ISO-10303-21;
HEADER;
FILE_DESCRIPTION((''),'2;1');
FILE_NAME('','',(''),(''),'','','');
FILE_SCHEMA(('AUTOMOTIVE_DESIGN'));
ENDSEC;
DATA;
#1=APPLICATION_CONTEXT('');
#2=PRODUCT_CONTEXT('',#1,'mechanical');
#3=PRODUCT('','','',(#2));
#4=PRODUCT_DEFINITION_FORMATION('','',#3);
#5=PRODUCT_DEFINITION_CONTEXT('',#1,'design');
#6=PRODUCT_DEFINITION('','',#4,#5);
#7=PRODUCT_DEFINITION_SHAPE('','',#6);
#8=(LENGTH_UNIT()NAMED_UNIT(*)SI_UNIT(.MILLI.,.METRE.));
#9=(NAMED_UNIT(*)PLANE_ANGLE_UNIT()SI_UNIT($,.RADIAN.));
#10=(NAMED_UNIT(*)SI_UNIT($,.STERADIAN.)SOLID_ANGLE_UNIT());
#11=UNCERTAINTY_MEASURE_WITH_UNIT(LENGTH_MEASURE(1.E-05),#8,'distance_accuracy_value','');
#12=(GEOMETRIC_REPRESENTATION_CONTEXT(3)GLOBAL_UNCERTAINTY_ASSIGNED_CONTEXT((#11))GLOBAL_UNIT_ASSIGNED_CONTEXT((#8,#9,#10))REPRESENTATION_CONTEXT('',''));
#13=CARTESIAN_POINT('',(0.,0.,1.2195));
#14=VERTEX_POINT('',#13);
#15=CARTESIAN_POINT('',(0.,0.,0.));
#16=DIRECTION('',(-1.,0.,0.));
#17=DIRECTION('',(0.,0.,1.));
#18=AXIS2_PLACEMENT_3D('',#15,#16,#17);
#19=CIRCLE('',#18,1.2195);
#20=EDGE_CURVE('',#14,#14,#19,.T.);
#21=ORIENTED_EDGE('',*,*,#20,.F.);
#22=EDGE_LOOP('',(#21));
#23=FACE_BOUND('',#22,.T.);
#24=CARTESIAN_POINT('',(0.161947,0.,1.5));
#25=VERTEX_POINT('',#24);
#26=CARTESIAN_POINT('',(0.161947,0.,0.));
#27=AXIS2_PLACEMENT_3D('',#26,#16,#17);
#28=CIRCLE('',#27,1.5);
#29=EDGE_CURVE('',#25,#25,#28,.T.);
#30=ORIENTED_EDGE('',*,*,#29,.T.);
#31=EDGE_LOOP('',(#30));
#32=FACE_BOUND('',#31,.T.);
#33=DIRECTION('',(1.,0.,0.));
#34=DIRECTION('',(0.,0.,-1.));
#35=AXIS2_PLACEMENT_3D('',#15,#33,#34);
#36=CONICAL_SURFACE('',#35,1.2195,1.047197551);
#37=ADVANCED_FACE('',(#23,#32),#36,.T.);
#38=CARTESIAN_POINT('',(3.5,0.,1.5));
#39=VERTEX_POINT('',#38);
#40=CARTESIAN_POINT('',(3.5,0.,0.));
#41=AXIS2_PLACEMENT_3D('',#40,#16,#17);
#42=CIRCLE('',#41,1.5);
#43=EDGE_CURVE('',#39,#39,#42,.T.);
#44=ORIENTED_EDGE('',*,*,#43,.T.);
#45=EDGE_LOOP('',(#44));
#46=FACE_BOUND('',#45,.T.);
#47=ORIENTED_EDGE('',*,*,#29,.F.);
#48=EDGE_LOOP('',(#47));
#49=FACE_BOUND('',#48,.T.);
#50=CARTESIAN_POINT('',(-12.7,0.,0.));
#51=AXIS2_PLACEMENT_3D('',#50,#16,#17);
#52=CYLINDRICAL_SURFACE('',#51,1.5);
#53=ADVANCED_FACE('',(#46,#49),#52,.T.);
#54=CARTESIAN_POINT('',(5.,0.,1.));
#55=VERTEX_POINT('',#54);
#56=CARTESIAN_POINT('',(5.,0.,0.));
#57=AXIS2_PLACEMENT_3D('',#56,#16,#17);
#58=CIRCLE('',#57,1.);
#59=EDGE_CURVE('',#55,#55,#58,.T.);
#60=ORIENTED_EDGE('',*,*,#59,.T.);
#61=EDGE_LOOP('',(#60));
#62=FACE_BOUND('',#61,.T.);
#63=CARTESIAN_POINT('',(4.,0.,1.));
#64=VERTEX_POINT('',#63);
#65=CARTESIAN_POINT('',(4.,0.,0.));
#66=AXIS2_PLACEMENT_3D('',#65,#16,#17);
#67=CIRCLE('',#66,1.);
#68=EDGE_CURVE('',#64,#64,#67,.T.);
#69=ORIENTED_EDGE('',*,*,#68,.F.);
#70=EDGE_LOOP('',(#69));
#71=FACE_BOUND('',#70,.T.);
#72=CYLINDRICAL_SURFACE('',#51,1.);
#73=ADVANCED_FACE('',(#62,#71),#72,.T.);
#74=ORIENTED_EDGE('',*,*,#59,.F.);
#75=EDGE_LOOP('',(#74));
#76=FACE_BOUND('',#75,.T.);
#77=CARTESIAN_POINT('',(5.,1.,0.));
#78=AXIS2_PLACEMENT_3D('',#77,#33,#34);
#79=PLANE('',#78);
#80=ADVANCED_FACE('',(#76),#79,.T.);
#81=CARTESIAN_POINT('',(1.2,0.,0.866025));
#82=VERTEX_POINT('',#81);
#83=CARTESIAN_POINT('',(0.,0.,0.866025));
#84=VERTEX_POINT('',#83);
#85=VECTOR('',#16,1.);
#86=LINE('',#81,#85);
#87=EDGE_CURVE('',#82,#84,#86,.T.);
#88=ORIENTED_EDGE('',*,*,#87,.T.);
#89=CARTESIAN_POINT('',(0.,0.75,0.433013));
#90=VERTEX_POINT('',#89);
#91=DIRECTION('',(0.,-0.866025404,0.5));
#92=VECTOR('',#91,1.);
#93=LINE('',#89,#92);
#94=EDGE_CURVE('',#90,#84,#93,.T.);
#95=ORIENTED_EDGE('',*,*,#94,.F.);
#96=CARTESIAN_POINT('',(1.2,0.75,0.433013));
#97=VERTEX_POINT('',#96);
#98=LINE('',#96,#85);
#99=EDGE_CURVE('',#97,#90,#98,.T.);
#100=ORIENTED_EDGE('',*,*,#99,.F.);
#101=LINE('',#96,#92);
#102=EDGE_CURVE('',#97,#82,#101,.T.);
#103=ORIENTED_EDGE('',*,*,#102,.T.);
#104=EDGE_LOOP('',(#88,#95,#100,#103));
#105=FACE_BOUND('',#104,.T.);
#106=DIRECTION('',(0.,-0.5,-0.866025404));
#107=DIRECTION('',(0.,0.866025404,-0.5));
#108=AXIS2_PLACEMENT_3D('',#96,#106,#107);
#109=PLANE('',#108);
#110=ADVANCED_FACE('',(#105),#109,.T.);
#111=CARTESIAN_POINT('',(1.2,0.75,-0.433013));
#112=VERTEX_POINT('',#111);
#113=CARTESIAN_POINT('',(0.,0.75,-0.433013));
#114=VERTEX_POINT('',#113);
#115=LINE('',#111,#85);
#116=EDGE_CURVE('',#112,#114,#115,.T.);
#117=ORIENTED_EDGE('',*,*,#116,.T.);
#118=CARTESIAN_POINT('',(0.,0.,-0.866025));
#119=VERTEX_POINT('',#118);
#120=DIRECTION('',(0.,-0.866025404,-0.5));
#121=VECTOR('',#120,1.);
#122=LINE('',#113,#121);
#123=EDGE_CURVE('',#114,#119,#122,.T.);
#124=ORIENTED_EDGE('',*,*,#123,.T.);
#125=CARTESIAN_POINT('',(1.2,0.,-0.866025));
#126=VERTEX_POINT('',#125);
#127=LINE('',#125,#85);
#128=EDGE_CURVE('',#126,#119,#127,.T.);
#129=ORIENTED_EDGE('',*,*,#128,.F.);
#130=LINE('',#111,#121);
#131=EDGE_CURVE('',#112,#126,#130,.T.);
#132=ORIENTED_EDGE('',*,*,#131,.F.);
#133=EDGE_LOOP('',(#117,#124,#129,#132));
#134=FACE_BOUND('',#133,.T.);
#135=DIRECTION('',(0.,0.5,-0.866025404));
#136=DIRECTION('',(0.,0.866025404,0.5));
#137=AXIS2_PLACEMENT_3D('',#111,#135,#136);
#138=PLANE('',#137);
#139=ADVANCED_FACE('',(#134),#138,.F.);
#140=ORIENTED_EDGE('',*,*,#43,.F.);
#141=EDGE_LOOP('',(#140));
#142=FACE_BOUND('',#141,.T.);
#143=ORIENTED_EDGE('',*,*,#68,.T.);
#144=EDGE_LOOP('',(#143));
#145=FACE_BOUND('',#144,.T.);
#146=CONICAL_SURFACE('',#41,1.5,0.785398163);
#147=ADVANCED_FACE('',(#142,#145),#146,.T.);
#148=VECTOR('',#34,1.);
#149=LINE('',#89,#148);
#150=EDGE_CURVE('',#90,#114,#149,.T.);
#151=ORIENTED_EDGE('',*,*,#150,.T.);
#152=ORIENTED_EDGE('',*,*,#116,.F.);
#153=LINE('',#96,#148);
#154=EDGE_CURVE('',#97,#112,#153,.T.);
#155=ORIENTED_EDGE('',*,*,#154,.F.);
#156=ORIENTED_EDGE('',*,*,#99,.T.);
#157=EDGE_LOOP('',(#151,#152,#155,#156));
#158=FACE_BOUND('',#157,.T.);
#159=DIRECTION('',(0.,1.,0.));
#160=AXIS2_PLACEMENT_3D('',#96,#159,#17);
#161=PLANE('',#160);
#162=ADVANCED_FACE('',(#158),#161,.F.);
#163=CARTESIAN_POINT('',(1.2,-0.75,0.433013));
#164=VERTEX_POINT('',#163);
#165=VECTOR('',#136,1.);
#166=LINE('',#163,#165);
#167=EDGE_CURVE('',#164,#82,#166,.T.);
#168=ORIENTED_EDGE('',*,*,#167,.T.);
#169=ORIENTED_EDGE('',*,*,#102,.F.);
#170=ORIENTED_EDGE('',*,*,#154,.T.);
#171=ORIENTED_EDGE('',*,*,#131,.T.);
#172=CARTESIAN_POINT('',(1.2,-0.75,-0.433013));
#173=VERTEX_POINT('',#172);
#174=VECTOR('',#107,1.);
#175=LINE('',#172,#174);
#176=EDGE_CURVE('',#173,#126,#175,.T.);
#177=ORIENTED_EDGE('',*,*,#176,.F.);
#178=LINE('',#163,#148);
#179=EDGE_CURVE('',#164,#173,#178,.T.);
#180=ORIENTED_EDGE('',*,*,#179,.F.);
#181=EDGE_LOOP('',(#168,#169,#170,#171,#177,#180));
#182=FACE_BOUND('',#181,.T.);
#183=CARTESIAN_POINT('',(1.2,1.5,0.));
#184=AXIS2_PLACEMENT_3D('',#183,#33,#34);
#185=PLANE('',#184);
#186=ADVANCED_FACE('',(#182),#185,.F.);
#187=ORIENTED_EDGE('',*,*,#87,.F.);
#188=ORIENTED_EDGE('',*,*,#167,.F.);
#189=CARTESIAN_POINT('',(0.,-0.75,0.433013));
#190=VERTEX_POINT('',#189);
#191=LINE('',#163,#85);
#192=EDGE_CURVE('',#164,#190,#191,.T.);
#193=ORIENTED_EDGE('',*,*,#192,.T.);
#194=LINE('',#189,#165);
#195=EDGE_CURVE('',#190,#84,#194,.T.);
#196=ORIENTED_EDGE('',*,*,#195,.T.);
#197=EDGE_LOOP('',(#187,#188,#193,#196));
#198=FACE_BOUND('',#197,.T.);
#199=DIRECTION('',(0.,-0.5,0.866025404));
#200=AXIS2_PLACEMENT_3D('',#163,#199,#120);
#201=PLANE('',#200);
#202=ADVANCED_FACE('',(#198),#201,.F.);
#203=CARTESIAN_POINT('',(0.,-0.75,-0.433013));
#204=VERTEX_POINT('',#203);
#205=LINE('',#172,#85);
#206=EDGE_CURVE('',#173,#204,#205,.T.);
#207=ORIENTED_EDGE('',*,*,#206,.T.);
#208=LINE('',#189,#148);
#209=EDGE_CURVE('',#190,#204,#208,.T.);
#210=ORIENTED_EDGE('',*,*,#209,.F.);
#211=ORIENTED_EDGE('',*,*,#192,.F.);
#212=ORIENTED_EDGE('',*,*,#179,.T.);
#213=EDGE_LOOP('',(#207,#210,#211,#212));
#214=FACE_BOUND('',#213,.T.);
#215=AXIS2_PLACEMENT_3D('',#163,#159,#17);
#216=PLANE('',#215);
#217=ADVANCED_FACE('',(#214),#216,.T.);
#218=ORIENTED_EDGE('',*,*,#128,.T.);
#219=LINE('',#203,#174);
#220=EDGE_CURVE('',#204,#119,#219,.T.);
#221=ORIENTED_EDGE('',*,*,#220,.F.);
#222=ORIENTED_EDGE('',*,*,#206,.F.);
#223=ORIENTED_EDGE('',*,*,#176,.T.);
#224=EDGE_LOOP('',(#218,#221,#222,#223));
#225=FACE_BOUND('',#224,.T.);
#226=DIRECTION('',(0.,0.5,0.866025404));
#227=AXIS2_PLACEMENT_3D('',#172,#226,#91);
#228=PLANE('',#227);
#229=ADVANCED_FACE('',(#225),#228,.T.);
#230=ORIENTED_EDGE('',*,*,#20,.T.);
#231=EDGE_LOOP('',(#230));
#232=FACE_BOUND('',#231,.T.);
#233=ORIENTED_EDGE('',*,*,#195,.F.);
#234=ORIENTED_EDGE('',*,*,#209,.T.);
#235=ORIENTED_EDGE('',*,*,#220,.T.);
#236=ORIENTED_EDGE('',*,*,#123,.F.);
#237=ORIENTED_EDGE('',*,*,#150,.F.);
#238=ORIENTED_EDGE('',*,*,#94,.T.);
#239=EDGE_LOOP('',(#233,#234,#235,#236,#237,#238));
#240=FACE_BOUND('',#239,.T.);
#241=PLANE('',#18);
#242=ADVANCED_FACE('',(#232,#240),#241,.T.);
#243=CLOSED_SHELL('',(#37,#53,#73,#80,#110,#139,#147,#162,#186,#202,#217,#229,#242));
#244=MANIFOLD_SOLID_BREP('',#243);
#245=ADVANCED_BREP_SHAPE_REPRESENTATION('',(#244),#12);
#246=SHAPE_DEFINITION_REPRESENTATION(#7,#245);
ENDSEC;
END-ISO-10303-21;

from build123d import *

# Parameters (mm, degrees)
HEX_2_DEPTH = 1.2


with BuildPart() as part:
    # BodySke → BaseBody (revolve)
    with BuildSketch(Plane.XY, mode=Mode.PRIVATE) as basebody_sk:
        Polygon((0, 0), (0, 1.2195), (0.161946751, 1.5), (3.5, 1.5), (4, 1), (5, 1), (5, 0), align=None)
    revolve(basebody_sk.sketch.rotate(Axis((-12.7, 0, 0), (1, 0, 0)), 90), axis=Axis((-12.7, 0, 0), (1, 0, 0)))

    # Sketch2 → Hex 2 (cut)
    with BuildSketch(Plane.ZY):
        Polygon((0.433012702, 0.75), (-0.433012702, 0.75), (-0.866025404, 0), (-0.433012702, -0.75), (0.433012702, -0.75), (0.866025404, 0), align=None)
    extrude(amount=-HEX_2_DEPTH, mode=Mode.SUBTRACT)


solid = part.part
